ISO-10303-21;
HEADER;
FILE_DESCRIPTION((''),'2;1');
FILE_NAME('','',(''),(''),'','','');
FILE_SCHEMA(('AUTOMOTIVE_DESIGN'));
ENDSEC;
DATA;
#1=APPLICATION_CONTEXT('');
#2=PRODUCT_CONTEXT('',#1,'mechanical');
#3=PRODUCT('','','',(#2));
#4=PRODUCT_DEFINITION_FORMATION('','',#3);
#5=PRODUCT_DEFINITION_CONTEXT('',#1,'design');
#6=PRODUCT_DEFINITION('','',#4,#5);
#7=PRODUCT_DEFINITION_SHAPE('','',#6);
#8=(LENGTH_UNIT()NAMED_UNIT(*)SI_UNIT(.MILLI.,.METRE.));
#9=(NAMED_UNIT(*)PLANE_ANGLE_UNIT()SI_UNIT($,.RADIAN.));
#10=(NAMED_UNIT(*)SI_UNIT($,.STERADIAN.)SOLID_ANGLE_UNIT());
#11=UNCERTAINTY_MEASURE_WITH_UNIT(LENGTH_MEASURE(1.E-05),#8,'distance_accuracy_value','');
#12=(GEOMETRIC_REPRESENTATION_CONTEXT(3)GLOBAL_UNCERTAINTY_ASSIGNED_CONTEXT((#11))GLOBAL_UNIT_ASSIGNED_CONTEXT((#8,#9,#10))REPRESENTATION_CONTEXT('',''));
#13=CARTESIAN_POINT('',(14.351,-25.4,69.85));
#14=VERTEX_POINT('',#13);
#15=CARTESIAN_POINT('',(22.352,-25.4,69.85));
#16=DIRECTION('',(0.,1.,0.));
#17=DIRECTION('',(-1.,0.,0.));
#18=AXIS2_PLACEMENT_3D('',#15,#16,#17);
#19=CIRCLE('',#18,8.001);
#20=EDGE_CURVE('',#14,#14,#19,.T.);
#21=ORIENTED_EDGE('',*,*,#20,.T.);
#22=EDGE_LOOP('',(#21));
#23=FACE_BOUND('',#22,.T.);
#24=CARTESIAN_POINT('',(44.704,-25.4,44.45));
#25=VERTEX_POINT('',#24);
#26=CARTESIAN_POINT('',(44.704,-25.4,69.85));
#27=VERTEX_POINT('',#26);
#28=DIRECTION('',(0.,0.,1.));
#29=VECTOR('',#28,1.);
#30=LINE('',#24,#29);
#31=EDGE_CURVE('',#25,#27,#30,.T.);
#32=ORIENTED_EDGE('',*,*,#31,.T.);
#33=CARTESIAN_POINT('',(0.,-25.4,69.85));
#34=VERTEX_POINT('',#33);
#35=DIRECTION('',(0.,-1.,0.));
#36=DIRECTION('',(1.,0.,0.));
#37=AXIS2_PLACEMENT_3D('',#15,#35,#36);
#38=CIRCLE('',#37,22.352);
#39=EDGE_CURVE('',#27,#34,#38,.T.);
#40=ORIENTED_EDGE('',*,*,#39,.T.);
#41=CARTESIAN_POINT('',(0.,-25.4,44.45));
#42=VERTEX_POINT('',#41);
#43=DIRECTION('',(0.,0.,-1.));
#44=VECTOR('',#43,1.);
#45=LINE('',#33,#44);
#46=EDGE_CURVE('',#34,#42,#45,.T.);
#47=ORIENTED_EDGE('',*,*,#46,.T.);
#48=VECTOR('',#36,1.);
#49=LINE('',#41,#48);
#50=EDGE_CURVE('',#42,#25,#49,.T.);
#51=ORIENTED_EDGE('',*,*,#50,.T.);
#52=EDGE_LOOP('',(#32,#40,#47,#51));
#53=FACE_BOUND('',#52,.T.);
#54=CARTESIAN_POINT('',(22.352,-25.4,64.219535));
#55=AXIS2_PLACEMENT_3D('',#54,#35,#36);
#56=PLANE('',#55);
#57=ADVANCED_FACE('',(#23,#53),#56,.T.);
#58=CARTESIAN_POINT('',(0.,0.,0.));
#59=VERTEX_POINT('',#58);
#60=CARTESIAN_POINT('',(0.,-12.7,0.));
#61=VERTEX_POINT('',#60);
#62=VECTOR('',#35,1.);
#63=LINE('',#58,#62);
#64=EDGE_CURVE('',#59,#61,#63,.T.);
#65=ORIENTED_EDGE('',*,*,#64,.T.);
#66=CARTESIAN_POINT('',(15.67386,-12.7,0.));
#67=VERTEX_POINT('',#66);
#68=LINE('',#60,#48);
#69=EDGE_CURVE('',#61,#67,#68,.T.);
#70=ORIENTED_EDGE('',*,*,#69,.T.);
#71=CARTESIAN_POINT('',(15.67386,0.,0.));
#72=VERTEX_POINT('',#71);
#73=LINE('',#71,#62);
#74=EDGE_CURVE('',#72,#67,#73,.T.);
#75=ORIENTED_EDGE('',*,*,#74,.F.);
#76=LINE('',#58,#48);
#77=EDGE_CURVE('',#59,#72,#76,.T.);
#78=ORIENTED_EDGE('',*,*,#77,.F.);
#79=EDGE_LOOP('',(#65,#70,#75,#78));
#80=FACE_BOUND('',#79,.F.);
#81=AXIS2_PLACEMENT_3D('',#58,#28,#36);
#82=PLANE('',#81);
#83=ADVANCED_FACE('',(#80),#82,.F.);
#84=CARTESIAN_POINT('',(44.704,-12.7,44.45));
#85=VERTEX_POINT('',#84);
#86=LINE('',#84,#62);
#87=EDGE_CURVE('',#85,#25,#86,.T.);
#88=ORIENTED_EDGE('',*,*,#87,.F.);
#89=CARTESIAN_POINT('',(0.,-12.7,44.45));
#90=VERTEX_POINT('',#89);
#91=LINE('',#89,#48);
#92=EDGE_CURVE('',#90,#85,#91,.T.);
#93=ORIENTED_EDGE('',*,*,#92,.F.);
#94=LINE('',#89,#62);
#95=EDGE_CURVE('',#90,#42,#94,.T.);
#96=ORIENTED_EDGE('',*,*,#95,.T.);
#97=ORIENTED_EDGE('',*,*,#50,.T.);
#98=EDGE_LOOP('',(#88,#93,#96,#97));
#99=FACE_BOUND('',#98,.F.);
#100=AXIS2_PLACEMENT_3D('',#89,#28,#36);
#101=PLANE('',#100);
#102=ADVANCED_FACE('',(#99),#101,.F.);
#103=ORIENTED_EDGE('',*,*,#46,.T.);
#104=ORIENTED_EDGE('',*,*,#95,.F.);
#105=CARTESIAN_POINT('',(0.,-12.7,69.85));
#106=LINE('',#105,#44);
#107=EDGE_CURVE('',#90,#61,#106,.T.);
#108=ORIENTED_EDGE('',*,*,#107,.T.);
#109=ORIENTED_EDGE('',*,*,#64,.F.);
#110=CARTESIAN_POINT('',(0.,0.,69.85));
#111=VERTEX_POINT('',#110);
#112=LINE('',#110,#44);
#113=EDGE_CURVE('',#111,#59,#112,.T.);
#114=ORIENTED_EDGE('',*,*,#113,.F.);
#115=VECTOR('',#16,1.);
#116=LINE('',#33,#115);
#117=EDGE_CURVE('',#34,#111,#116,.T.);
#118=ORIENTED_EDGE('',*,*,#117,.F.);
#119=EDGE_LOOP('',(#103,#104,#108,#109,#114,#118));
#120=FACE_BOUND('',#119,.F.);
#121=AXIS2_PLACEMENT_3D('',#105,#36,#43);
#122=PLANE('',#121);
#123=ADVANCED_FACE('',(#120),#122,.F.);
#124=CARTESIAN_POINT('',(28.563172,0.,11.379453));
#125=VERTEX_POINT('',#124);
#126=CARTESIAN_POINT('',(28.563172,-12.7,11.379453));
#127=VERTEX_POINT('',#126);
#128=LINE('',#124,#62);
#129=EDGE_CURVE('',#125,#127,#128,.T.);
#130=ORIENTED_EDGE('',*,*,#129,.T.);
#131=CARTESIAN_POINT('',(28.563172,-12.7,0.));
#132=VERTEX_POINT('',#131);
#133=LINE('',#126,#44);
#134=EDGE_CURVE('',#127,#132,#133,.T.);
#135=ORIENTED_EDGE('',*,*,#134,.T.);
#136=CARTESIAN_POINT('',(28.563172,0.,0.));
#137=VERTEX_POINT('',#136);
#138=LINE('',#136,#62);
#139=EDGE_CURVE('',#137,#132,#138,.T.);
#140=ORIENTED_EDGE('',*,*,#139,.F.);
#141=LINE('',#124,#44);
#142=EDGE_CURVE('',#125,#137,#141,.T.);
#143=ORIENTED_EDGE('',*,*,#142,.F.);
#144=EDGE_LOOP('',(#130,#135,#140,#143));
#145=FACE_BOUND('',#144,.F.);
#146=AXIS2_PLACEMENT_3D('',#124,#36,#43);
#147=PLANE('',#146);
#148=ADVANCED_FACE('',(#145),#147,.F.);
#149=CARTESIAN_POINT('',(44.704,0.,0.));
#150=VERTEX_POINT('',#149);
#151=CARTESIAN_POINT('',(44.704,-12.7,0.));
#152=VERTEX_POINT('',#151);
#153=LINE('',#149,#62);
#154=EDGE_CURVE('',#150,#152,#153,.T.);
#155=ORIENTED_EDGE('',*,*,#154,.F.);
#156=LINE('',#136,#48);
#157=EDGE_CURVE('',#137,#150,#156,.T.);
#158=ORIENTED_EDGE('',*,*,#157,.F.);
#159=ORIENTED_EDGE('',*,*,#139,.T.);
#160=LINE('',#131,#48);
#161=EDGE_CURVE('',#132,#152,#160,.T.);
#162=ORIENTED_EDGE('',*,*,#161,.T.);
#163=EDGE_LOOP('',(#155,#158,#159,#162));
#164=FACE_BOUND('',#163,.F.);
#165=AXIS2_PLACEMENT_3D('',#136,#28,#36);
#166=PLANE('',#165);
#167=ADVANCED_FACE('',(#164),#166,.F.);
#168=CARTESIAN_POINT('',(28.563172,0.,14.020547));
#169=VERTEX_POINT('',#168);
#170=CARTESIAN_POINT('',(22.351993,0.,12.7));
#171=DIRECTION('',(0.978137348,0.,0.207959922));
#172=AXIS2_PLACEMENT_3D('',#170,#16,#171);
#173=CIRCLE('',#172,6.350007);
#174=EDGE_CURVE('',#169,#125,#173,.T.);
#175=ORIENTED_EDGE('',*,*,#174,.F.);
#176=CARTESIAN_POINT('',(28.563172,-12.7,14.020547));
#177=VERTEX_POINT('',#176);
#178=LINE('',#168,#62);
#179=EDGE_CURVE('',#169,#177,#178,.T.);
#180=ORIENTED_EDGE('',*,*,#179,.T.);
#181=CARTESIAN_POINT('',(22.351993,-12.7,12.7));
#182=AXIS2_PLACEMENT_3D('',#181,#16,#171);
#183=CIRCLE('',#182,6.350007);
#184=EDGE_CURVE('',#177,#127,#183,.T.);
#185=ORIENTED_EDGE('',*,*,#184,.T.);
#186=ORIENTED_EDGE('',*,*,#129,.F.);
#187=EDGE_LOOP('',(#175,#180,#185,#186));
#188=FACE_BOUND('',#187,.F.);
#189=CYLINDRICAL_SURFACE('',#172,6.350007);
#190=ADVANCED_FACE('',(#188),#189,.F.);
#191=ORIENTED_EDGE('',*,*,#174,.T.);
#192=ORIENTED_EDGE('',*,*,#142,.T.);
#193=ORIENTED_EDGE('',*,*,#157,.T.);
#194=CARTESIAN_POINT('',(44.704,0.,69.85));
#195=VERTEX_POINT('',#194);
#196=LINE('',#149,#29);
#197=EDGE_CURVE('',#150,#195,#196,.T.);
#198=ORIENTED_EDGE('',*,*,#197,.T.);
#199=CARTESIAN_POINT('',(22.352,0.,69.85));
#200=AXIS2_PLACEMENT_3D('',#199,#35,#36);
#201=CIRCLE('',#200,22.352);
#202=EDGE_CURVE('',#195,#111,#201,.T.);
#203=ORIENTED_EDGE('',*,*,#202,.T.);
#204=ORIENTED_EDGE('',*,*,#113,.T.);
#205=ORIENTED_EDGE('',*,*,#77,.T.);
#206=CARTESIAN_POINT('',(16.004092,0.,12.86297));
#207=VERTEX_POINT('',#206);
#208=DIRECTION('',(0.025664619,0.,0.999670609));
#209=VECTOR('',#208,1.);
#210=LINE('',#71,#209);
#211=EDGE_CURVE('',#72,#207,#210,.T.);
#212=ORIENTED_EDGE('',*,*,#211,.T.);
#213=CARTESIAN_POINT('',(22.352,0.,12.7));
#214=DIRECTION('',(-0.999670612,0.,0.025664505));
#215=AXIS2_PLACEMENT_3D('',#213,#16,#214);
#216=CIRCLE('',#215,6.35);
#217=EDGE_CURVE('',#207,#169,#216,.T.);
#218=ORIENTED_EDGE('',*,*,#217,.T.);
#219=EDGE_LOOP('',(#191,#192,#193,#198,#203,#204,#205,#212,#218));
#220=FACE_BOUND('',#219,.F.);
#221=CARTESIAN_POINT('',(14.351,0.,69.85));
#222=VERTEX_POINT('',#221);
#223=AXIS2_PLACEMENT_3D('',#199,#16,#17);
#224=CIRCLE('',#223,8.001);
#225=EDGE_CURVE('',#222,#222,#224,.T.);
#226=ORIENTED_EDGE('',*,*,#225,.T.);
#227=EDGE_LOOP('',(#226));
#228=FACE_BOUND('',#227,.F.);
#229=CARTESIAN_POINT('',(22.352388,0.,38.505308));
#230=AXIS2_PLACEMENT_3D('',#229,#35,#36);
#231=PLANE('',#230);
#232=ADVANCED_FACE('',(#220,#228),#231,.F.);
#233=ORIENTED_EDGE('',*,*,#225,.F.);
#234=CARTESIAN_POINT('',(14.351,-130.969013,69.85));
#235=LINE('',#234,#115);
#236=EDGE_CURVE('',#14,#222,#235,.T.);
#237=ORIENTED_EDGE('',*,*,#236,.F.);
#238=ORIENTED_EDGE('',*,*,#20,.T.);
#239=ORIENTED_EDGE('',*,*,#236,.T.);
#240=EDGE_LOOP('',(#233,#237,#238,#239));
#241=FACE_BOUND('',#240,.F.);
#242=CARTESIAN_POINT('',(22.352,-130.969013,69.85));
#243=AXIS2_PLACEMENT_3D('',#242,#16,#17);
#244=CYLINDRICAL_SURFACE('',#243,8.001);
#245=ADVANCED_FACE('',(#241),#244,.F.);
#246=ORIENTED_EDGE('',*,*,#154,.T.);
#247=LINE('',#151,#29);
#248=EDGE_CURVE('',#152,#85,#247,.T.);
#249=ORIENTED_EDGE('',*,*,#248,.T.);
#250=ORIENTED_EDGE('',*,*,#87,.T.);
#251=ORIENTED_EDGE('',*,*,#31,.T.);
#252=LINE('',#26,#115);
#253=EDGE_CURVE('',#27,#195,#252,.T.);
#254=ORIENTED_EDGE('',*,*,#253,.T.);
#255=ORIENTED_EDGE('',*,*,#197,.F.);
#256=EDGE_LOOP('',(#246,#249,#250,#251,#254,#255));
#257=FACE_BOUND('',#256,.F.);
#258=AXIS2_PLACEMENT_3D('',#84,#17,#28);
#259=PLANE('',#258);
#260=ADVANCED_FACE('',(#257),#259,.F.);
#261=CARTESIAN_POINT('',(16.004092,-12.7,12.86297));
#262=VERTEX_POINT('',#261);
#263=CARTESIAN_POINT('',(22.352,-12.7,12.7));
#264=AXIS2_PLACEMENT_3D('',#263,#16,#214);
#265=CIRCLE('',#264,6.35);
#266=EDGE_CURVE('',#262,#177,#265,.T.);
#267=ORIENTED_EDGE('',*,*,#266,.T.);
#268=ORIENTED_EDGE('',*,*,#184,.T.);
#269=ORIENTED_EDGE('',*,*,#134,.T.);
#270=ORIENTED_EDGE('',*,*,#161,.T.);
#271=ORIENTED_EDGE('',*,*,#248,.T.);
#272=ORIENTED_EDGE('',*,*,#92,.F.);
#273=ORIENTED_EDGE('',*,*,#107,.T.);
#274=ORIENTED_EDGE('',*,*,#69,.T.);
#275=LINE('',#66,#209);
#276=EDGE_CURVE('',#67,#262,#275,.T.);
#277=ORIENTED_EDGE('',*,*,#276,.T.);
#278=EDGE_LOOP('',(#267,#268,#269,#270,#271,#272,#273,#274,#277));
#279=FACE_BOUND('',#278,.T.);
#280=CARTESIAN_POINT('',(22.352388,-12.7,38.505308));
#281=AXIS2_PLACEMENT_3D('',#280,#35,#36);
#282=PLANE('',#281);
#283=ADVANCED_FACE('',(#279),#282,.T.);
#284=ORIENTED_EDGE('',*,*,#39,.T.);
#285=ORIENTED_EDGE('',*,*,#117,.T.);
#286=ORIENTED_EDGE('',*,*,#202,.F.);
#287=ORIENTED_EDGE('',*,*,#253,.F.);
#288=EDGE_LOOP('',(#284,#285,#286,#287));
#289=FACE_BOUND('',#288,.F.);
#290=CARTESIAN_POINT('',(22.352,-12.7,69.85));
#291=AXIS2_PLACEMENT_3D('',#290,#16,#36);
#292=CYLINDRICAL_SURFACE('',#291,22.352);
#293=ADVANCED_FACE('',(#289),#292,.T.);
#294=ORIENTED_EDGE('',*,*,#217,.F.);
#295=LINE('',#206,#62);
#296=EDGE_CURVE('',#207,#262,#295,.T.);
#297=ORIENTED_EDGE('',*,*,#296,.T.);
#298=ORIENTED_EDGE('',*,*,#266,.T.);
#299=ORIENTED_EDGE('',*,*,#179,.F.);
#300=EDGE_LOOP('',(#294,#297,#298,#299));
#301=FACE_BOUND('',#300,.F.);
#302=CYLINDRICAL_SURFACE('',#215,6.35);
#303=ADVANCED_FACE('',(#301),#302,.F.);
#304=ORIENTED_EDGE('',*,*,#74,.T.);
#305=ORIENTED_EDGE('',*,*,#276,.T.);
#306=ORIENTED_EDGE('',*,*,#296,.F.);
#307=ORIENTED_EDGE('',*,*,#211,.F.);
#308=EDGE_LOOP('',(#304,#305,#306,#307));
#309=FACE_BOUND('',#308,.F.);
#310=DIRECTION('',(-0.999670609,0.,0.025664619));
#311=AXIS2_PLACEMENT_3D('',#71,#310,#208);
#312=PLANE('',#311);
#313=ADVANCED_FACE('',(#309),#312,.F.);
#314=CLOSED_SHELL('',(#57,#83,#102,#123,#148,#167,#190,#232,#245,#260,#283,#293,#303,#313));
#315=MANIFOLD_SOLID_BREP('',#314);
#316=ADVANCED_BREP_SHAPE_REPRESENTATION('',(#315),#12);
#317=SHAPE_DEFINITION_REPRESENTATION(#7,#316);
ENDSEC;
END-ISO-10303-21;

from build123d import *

# Parameters (mm, degrees)
F1_DEPTH = 12.7
F3_DEPTH = 12.7
F5_D     = 16.002


with BuildPart() as f1:
    # F0 (on Front) → F1 (new body)
    with BuildSketch(Plane.XZ):
        with BuildLine():
            Line((0, 69.85), (0, 0))
            Line((0, 0), (15.67386, 0))
            Line((15.67386, 0), (16.004092, 12.86297))
            ThreePointArc((16.004092, 12.86297), (21.769188, 19.023198), (28.563172, 14.020547))
            ThreePointArc((28.563172, 14.020547), (28.702, 12.7), (28.563172, 11.379453))
            Line((28.563172, 11.379453), (28.563172, 0))
            Line((28.563172, 0), (44.704, 0))
            Line((44.704, 0), (44.704, 69.85))
            ThreePointArc((44.704, 69.85), (22.352, 92.202), (0, 69.85))
        make_face()
    extrude(amount=F1_DEPTH)

    # F2 (on face) → F3 (join)
    with BuildSketch(Plane.XZ.offset(12.7)):
        with BuildLine():
            Line((0, 69.85), (0, 44.45))
            Line((0, 44.45), (2.100821, 44.45))
            Line((2.100821, 44.45), (44.704, 44.45))
            Line((44.704, 44.45), (44.704, 69.85))
            ThreePointArc((44.704, 69.85), (22.352, 92.202), (0, 69.85))
        make_face()
    extrude(amount=F3_DEPTH)

    # F5 (through all)
    with Locations(Plane.XZ.offset(25.4)):
        with Locations((22.352, 69.85)):
            Hole(F5_D / 2)


solid = f1.part
